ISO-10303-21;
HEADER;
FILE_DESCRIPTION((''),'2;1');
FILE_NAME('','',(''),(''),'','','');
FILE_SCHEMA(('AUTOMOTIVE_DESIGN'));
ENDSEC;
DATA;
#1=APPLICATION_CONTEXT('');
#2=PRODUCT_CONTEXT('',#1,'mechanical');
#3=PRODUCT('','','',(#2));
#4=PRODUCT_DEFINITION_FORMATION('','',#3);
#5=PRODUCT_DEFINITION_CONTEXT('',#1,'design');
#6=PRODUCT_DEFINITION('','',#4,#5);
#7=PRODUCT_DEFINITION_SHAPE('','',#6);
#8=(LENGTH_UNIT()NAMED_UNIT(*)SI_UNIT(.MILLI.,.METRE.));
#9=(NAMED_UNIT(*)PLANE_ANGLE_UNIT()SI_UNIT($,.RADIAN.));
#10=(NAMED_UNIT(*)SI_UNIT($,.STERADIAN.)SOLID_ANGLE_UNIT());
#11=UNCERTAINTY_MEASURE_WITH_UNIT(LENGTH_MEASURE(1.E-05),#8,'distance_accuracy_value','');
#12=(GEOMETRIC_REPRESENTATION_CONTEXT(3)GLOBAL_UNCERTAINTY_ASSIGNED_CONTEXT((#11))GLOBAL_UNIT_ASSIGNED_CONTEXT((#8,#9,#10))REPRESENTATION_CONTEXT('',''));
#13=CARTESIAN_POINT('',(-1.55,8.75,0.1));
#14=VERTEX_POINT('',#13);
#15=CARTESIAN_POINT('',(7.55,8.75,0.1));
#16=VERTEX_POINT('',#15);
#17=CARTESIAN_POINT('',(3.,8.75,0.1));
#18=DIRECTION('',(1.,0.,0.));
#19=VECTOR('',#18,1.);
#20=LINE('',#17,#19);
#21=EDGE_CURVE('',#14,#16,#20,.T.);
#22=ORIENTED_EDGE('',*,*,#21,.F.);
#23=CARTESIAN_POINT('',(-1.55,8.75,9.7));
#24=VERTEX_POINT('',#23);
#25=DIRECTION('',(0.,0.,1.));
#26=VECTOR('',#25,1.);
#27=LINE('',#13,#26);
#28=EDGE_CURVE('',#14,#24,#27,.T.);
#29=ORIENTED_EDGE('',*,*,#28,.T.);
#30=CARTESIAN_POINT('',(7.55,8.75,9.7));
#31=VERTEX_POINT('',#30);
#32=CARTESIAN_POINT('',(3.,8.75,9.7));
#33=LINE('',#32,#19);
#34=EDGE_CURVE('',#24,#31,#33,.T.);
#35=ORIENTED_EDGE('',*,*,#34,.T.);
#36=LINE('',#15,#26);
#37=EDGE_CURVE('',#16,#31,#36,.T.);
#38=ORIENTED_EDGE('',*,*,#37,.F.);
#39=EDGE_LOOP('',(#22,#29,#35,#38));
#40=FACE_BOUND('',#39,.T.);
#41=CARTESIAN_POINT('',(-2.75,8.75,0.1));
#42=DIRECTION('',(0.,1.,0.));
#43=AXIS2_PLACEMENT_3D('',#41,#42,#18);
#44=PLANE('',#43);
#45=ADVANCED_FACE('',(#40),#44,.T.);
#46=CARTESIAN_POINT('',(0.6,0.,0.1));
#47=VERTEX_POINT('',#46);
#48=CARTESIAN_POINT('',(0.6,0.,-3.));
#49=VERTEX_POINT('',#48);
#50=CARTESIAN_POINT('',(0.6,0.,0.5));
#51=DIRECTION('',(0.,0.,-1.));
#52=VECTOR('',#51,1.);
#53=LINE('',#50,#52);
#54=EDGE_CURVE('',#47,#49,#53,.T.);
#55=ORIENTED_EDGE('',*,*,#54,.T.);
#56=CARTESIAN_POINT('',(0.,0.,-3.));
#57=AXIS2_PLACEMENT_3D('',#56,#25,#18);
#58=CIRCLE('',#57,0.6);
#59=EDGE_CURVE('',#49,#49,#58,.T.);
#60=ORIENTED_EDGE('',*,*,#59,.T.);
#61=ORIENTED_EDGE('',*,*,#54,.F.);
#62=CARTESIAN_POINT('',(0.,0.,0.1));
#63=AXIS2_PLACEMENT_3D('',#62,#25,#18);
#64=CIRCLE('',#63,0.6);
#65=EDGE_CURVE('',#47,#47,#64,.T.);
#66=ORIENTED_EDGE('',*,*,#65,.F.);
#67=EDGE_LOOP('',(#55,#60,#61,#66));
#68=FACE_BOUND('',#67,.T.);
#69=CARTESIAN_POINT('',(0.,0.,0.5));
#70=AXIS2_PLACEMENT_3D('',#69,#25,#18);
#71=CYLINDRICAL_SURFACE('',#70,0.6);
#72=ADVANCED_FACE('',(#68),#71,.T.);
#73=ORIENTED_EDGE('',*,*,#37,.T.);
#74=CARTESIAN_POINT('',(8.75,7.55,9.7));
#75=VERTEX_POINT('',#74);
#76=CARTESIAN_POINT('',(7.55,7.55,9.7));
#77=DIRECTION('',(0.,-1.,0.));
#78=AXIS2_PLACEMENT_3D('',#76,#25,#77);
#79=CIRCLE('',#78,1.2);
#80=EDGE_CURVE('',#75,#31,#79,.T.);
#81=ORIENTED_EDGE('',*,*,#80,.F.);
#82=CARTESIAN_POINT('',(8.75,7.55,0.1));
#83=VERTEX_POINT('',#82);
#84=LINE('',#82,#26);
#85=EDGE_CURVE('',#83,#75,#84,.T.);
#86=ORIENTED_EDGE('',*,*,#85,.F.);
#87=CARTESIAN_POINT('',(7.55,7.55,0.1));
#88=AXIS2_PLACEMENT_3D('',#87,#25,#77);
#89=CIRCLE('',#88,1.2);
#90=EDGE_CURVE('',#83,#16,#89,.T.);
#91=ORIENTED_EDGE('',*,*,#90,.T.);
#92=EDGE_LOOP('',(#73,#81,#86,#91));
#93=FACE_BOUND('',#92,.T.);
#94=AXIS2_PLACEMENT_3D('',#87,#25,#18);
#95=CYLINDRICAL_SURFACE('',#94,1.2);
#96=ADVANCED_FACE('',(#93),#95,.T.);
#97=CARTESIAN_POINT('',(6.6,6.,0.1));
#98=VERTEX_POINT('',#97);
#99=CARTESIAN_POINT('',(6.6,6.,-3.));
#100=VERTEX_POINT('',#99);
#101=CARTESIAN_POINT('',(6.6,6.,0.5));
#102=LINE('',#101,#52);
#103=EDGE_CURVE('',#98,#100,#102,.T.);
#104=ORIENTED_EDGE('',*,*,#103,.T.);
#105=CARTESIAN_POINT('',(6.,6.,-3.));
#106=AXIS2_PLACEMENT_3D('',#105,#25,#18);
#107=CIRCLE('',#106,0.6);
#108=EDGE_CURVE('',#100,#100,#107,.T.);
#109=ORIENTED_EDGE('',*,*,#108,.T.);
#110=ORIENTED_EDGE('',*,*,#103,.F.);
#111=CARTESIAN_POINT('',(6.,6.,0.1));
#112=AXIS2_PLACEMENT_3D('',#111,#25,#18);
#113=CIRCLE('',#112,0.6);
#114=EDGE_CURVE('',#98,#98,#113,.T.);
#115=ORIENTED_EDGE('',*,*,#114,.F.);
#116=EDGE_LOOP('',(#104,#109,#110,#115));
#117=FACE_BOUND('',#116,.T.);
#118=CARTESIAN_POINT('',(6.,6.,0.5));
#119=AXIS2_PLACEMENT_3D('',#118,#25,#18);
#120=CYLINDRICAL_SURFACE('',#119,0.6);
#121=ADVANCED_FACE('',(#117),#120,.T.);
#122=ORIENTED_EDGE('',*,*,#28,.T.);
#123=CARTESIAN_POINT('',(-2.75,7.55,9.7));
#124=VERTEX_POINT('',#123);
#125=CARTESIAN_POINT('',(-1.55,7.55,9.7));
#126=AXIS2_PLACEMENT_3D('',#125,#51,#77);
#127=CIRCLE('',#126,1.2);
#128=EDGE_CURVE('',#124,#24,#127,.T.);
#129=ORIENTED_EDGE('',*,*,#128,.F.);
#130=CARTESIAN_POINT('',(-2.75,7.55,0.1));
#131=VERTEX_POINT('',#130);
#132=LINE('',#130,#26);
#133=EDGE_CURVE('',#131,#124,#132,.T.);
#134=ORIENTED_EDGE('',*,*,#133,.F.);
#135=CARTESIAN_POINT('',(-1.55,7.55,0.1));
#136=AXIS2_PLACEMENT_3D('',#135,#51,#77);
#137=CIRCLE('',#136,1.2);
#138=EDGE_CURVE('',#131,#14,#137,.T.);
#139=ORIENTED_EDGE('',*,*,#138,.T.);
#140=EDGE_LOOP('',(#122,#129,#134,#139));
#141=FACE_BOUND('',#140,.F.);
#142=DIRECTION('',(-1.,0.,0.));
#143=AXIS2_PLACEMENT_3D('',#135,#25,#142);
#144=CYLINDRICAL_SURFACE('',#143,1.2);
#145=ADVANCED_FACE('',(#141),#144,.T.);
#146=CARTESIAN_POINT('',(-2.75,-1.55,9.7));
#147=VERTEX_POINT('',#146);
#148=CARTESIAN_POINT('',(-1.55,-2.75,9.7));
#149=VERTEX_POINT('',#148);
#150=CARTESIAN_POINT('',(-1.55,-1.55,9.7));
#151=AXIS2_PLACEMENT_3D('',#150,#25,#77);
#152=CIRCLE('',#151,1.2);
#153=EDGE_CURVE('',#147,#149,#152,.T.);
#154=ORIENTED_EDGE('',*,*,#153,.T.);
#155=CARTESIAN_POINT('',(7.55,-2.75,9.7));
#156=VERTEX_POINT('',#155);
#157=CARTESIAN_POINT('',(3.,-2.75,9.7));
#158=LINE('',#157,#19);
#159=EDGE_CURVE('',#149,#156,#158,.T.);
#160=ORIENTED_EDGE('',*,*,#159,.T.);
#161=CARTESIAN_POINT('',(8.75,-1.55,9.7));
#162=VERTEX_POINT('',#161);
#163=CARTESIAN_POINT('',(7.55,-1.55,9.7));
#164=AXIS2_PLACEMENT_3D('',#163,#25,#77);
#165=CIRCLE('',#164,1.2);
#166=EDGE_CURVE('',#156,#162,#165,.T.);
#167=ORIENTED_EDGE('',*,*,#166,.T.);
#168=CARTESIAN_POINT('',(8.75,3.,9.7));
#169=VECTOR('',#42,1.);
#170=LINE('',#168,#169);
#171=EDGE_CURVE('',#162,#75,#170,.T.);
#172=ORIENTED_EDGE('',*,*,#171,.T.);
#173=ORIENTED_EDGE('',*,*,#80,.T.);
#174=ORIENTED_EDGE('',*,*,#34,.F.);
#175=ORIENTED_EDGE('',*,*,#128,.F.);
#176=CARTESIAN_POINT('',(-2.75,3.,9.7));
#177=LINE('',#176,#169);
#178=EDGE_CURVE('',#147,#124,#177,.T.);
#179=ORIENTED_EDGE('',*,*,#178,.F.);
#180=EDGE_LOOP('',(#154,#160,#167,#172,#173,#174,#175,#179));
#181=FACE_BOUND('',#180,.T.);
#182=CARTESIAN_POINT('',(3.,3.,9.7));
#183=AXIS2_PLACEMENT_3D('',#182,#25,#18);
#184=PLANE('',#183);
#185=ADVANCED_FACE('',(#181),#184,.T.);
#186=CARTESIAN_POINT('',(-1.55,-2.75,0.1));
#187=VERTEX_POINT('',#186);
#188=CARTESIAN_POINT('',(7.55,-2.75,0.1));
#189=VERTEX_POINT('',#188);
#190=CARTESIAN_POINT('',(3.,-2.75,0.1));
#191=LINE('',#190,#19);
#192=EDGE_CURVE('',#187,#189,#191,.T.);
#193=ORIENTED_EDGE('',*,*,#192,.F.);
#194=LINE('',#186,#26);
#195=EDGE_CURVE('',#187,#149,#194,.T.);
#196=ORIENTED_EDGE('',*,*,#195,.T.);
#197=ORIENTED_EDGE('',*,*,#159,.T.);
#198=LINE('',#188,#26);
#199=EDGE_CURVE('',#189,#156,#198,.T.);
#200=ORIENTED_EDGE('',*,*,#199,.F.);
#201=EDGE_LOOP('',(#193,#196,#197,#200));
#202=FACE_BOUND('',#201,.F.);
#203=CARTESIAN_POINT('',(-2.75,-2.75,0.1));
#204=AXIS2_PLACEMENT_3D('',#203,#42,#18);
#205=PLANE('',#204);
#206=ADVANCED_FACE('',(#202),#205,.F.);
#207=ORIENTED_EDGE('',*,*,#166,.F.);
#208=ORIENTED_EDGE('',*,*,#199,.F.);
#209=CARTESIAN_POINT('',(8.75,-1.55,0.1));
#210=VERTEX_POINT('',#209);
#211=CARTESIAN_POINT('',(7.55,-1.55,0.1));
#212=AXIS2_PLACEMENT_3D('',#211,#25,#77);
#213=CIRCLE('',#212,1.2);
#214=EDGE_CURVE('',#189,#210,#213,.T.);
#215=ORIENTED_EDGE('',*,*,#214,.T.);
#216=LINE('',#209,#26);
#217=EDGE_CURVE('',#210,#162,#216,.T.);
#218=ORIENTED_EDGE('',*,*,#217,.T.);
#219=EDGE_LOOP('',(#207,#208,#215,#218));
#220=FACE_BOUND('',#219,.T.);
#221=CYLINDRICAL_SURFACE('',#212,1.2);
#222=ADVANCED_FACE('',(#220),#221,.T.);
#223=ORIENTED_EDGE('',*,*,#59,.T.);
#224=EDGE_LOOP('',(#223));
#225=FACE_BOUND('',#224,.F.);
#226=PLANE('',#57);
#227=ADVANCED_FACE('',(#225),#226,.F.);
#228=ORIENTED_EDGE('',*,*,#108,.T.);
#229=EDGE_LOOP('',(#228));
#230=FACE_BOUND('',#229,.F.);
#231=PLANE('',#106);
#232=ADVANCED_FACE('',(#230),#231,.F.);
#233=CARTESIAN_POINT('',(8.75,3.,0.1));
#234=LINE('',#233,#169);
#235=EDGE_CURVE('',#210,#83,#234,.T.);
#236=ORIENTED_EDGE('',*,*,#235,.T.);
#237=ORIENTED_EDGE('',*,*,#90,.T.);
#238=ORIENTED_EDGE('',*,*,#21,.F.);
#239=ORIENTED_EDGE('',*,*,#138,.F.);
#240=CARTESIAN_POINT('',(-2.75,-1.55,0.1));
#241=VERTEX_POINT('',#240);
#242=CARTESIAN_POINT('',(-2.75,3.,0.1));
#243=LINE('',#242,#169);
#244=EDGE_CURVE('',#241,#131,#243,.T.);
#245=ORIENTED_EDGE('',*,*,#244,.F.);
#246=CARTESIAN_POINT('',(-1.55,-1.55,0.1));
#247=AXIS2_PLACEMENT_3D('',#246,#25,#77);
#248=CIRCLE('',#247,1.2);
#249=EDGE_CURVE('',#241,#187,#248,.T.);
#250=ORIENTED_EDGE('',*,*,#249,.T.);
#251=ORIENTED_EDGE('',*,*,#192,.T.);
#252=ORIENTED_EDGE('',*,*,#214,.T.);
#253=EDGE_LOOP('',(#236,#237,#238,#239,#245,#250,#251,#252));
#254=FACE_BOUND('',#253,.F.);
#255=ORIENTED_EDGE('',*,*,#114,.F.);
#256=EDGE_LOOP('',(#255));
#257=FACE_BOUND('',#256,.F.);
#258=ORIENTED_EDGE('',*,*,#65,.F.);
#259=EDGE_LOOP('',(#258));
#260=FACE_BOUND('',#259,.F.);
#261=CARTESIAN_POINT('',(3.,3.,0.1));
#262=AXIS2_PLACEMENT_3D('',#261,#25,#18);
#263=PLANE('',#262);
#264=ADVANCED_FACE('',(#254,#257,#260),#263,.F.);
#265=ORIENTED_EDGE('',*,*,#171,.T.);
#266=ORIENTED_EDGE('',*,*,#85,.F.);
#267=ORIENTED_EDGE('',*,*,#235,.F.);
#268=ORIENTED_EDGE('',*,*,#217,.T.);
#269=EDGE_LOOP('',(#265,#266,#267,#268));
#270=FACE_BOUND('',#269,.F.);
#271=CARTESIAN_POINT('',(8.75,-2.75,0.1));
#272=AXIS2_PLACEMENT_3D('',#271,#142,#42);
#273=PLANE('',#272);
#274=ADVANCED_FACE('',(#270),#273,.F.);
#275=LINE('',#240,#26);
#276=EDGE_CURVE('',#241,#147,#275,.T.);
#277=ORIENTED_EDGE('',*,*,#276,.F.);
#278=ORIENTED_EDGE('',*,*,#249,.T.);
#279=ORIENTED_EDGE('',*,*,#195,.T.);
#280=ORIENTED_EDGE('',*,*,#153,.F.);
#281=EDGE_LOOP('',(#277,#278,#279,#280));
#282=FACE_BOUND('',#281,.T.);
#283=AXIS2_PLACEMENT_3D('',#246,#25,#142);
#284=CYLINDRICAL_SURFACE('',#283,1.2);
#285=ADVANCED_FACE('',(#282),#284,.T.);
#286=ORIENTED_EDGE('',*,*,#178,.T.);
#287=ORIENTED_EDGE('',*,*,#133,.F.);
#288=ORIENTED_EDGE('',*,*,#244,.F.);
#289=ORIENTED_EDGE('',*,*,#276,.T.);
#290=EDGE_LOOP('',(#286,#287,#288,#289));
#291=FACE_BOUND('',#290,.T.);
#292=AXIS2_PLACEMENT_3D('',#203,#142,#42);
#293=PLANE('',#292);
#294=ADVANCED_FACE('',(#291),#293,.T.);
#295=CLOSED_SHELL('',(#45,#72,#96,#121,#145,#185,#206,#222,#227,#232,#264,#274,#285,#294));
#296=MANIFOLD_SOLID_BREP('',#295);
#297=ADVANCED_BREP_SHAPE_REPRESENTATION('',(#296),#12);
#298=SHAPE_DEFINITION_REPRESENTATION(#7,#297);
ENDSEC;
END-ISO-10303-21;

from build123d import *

# Parameters (mm, degrees)
SKETCH001_R  = 0.6
PAD001_DEPTH = 3.5
SKETCH_W     = 11.5
SKETCH_H     = 11.5
PAD_DEPTH    = 9.6
FILLET_R     = 1.2


with BuildPart() as pad001:
    # Sketch001 → Pad001 (new body)
    with BuildSketch(Plane.XY.offset(0.5)):
        Circle(SKETCH001_R)
        with Locations((6, 6)):
            Circle(SKETCH001_R)
    extrude(amount=-PAD001_DEPTH)


with BuildPart() as fillet_mp_cp:
    # Sketch → Pad (new body)
    with BuildSketch(Plane.XY.offset(0.1)):
        with Locations((3, 3)):
            Rectangle(SKETCH_W, SKETCH_H)
    extrude(amount=PAD_DEPTH)

    # Fillet
    fillet_edges = [fillet_mp_cp.edges().sort_by_distance(p)[0] for p in [
        (8.75, -2.75, 4.9),
        (8.75, 8.75, 4.9),
        (-2.75, -2.75, 4.9),
        (-2.75, 8.75, 4.9),
    ]]
    fillet(fillet_edges, radius=FILLET_R)

    # Fillet_mp_cp: union Pad001
    add(pad001.part)


solid = fillet_mp_cp.part
